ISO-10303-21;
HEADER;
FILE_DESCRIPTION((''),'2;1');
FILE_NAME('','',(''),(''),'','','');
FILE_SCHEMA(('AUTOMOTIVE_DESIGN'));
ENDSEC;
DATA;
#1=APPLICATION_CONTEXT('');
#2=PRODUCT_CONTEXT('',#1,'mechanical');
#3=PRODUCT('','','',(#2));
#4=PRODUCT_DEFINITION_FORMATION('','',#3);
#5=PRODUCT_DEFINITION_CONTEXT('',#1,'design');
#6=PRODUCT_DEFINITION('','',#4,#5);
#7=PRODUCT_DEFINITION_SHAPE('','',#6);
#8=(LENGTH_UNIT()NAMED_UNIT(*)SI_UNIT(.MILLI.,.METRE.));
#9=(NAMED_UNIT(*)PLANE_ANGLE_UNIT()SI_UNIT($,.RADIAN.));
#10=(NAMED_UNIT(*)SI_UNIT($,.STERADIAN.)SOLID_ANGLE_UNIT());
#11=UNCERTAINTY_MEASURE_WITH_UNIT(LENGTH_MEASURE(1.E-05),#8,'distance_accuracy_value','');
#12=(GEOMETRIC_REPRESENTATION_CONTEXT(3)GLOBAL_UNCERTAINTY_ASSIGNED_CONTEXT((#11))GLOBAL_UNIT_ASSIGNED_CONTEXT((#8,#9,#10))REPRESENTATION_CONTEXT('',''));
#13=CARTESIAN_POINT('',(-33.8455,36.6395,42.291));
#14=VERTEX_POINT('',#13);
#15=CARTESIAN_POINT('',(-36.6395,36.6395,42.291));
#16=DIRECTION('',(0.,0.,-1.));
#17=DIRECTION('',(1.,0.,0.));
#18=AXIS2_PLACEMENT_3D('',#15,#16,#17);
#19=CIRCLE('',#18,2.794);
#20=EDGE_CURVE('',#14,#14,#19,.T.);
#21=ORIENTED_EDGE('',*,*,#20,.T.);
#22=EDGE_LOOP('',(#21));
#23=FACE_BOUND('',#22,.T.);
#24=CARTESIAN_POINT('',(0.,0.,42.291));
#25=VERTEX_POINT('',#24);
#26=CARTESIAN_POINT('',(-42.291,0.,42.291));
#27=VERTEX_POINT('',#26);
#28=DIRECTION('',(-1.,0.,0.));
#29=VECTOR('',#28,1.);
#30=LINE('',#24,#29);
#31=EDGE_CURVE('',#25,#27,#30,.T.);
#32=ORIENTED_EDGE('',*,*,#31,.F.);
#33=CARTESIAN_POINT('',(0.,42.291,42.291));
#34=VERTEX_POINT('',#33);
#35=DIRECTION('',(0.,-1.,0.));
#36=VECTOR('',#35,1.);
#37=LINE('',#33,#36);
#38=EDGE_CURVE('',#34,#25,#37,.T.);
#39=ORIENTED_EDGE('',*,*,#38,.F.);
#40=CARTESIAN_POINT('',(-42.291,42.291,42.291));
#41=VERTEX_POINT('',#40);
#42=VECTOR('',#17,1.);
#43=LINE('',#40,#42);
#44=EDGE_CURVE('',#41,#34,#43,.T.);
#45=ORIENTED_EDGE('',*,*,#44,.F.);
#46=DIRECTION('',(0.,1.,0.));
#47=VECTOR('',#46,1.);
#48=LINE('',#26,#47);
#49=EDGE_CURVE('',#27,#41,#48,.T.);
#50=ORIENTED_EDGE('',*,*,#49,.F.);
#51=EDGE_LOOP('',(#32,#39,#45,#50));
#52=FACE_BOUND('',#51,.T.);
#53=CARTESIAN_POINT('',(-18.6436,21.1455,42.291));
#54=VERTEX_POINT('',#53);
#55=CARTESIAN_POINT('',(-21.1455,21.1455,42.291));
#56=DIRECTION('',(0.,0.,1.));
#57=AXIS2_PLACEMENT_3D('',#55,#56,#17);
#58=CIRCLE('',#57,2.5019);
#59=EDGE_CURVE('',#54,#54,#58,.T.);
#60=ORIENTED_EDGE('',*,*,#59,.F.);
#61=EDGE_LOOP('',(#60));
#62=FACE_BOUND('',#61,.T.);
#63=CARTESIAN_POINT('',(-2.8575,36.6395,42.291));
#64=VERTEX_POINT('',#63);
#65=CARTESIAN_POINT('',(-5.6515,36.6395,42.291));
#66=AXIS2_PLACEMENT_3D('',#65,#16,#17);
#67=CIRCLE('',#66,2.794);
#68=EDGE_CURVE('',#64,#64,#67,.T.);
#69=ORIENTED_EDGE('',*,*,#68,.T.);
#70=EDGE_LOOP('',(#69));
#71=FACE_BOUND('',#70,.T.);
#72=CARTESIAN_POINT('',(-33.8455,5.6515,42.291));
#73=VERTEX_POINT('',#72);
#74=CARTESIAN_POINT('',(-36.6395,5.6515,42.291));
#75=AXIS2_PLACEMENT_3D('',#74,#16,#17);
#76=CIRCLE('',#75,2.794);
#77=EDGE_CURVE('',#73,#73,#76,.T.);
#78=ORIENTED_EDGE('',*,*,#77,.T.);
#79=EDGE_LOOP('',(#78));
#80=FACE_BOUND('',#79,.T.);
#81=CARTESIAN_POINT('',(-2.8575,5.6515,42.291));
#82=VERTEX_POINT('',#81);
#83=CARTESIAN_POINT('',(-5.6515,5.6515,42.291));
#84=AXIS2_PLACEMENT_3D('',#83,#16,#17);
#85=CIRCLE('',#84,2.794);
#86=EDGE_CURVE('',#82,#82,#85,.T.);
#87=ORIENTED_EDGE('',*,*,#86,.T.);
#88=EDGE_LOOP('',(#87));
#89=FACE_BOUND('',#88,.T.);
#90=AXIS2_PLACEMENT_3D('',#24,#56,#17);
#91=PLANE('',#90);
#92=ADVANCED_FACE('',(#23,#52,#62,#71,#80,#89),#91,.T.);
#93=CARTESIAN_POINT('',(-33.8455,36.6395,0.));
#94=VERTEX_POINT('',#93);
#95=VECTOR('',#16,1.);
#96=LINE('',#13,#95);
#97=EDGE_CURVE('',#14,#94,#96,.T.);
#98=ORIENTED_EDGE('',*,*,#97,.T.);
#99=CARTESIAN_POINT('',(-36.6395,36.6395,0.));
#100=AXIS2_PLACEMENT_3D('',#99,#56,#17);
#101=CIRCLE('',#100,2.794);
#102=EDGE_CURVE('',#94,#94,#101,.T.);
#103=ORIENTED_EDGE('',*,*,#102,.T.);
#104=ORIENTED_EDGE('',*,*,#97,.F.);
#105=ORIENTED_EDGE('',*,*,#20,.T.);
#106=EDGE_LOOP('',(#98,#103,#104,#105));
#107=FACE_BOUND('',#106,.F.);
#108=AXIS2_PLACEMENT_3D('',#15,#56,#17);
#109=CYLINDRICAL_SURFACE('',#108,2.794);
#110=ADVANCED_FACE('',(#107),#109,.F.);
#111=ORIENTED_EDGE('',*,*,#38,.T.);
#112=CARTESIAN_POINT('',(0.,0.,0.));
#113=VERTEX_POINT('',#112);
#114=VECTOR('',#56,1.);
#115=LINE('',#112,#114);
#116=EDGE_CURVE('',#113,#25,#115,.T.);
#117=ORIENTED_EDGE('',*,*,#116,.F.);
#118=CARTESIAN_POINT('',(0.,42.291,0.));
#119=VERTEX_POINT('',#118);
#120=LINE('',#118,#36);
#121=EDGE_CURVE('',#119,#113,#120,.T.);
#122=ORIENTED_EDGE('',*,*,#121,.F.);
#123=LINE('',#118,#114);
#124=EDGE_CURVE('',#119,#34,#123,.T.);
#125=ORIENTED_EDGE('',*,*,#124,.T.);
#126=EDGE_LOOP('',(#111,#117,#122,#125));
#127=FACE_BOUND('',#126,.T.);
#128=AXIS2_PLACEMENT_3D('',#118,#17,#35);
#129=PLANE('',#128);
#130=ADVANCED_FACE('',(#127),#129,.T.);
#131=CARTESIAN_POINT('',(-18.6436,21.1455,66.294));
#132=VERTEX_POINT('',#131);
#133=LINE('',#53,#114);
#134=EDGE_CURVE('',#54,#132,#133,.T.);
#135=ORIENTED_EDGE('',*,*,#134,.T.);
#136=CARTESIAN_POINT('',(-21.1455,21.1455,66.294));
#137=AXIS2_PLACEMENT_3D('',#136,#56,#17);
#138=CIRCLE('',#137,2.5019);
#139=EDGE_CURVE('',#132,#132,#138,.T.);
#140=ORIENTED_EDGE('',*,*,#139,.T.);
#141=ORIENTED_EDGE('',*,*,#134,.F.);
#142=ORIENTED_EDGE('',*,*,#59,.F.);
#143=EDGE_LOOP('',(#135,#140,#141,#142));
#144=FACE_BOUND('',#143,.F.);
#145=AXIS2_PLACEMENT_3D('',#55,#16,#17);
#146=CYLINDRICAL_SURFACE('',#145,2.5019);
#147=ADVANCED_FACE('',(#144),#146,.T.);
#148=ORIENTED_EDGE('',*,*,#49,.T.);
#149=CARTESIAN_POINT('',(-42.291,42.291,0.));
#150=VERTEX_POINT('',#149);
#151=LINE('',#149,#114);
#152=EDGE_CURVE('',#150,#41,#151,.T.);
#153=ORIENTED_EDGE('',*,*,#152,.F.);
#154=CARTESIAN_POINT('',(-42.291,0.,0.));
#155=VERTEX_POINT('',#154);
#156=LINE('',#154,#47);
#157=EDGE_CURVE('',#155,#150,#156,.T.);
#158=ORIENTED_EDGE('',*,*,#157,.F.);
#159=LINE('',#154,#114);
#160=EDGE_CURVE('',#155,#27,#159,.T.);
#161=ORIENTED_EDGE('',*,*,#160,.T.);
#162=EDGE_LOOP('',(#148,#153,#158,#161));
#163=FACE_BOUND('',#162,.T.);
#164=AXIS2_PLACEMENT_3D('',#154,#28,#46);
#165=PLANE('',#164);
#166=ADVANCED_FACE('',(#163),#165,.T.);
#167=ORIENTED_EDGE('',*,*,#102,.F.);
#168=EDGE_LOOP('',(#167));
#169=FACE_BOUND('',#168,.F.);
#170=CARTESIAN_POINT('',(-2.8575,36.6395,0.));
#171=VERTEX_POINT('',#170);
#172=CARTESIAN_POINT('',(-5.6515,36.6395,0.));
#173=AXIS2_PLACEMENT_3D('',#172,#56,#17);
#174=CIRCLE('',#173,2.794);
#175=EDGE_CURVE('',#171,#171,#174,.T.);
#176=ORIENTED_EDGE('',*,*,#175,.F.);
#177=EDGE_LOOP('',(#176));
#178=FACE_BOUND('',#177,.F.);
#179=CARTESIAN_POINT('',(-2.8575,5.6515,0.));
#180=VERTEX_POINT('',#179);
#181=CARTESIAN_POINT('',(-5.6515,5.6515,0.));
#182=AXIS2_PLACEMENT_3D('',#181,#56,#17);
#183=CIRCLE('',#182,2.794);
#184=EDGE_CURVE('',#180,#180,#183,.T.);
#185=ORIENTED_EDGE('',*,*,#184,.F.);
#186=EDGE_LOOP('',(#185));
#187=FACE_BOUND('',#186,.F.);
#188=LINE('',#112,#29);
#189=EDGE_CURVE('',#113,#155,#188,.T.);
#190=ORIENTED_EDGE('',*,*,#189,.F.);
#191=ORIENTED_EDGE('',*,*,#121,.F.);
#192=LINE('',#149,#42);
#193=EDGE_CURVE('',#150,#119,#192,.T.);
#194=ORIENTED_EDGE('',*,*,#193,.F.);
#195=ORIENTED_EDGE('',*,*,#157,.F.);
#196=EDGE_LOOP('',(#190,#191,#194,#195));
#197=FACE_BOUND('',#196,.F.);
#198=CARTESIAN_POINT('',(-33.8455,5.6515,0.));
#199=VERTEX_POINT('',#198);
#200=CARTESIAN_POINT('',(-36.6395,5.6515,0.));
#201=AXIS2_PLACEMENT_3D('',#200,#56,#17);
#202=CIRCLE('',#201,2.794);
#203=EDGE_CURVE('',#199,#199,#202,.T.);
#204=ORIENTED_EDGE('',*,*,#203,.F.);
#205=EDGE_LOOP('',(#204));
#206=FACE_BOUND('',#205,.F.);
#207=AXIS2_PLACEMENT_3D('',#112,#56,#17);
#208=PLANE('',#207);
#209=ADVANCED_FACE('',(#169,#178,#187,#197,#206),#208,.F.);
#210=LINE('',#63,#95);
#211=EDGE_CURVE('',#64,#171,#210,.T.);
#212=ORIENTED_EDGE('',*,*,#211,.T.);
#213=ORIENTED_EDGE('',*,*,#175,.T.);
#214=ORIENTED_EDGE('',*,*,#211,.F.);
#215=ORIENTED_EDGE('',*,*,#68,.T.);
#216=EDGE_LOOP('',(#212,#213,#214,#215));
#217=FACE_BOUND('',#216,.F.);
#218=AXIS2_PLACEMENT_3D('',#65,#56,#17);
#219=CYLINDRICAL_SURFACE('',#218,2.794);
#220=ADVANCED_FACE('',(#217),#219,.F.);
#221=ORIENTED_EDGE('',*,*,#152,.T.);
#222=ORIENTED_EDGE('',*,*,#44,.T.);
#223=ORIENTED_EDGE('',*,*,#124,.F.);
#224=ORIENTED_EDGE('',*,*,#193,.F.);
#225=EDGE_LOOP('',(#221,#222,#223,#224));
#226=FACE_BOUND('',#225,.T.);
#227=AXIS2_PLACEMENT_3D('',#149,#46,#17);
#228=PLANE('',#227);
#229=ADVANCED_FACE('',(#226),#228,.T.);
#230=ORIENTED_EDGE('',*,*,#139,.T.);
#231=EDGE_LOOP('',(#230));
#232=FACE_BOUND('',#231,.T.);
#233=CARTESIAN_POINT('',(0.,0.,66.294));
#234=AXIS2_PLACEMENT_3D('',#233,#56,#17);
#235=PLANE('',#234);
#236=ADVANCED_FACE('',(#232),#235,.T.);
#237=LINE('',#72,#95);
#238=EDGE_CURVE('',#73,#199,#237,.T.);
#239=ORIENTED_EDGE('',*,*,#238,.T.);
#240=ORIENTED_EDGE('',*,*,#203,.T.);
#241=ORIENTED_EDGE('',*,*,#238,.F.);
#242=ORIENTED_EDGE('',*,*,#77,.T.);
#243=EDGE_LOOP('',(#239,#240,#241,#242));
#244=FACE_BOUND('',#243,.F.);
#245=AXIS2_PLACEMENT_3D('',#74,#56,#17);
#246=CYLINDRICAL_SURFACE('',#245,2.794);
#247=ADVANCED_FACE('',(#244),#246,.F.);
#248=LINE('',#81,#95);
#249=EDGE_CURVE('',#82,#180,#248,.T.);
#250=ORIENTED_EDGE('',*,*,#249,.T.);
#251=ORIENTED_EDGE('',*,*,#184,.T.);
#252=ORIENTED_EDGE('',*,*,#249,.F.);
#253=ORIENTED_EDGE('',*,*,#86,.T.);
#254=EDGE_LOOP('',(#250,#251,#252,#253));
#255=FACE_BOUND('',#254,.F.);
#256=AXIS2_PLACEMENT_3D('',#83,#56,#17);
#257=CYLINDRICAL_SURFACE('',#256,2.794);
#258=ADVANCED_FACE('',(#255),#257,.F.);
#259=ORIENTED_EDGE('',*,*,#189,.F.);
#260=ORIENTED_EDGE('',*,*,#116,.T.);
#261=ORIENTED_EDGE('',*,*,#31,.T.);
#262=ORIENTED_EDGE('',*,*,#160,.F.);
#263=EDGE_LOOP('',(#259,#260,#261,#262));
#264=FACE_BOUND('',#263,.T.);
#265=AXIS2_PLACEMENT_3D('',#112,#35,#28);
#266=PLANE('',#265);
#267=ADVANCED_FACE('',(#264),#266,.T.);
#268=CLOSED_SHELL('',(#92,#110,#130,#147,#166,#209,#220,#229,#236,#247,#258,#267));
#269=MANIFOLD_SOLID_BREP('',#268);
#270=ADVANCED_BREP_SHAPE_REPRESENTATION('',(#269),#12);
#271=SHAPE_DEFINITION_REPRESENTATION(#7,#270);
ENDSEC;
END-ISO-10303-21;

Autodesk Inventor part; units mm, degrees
ref_plane "YZ Plane" through (0, 0, 0) normal (1, 0, 0) x (0, 1, 0)
ref_plane "XZ Plane" through (0, 0, 0) normal (0, 1, 0) x (-1, 0, 0)
ref_plane "XY Plane" through (0, 0, 0) normal (0, 0, 1) x (1, 0, 0)
sketch "Sketch1" plane through (0, 0, 0) normal (0, 0, 1) x (1, 0, 0)
  line L0 (0, 0) -> (-42.291, 0)
  line L1 (-42.291, 0) -> (-42.291, 42.291)
  line L2 (-42.291, 42.291) -> (0, 42.291)
  line L3 (0, 42.291) -> (0, 0)
  dimension "d0" = 42.291
  dimension "d1" = 42.291
extrude "Extrusion1" add sketch "Sketch1" along normal blind 42.291
sketch "Sketch2" plane through (0, 0, 42.291) normal (0, 0, 1) x (1, 0, 0)
  line L0 (0, 42.291) -> (-42.291, 42.291) projected
  line L1 (-42.291, 42.291) -> (-42.291, 0) projected
  line L2 (-42.291, 0) -> (0, 0) projected
  line L3 (0, 0) -> (0, 42.291) projected
  line L4 (-5.6515, 5.6515) -> (-36.6395, 5.6515)
  line L5 (-36.6395, 5.6515) -> (-36.6395, 36.6395)
  line L6 (-36.6395, 36.6395) -> (-5.6515, 36.6395)
  line L7 (-5.6515, 36.6395) -> (-5.6515, 5.6515)
  line L8 (-5.6515, 5.6515) -> (-36.6395, 36.6395) construction
  line L9 (-36.6395, 5.6515) -> (-5.6515, 36.6395) construction
  circle A0 centre (-5.6515, 5.6515) radius 2.794
  circle A1 centre (-36.6395, 5.6515) radius 2.794
  circle A2 centre (-36.6395, 36.6395) radius 2.794
  circle A3 centre (-5.6515, 36.6395) radius 2.794
  point P0 (-21.1455, 21.1455)
  dimension "d4" = 30.988
  dimension "d5" = 30.988
  dimension "d8" = 5.588
  dimension "d9" = 5.588
  dimension "d10" = 5.588
  dimension "d11" = 5.588
extrude "Extrusion2" cut sketch "Sketch2" against normal blind 68.834 contours A1 L5 L4 | L4 L5 A1 | A0 L7 L4 | L4 L7 A0 | A2 L6 L5 | L5 L6 A2 | A3 L6 L7 | L7 L6 A3
sketch "Sketch3" plane through (0, 0, 42.291) normal (0, 0, 1) x (1, 0, 0)
  circle A0 centre (-5.6515, 5.6515) radius 2.794 projected
  circle A1 centre (-5.6515, 36.6395) radius 2.794 projected
  circle A2 centre (-36.6395, 5.6515) radius 2.794 projected
  circle A3 centre (-36.6395, 36.6395) radius 2.794 projected
  line L0 (0, 42.291) -> (-42.291, 42.291) projected
  line L1 (-42.291, 42.291) -> (-42.291, 0) projected
  line L2 (-42.291, 0) -> (0, 0) projected
  line L3 (0, 0) -> (0, 42.291) projected
  circle A4 centre (-21.1455, 21.1455) radius 2.5019
  dimension "d14" = 5.0038
extrude "Extrusion3" add sketch "Sketch3" along normal blind 24.003 contours A4
properties part number "Nema 17"
